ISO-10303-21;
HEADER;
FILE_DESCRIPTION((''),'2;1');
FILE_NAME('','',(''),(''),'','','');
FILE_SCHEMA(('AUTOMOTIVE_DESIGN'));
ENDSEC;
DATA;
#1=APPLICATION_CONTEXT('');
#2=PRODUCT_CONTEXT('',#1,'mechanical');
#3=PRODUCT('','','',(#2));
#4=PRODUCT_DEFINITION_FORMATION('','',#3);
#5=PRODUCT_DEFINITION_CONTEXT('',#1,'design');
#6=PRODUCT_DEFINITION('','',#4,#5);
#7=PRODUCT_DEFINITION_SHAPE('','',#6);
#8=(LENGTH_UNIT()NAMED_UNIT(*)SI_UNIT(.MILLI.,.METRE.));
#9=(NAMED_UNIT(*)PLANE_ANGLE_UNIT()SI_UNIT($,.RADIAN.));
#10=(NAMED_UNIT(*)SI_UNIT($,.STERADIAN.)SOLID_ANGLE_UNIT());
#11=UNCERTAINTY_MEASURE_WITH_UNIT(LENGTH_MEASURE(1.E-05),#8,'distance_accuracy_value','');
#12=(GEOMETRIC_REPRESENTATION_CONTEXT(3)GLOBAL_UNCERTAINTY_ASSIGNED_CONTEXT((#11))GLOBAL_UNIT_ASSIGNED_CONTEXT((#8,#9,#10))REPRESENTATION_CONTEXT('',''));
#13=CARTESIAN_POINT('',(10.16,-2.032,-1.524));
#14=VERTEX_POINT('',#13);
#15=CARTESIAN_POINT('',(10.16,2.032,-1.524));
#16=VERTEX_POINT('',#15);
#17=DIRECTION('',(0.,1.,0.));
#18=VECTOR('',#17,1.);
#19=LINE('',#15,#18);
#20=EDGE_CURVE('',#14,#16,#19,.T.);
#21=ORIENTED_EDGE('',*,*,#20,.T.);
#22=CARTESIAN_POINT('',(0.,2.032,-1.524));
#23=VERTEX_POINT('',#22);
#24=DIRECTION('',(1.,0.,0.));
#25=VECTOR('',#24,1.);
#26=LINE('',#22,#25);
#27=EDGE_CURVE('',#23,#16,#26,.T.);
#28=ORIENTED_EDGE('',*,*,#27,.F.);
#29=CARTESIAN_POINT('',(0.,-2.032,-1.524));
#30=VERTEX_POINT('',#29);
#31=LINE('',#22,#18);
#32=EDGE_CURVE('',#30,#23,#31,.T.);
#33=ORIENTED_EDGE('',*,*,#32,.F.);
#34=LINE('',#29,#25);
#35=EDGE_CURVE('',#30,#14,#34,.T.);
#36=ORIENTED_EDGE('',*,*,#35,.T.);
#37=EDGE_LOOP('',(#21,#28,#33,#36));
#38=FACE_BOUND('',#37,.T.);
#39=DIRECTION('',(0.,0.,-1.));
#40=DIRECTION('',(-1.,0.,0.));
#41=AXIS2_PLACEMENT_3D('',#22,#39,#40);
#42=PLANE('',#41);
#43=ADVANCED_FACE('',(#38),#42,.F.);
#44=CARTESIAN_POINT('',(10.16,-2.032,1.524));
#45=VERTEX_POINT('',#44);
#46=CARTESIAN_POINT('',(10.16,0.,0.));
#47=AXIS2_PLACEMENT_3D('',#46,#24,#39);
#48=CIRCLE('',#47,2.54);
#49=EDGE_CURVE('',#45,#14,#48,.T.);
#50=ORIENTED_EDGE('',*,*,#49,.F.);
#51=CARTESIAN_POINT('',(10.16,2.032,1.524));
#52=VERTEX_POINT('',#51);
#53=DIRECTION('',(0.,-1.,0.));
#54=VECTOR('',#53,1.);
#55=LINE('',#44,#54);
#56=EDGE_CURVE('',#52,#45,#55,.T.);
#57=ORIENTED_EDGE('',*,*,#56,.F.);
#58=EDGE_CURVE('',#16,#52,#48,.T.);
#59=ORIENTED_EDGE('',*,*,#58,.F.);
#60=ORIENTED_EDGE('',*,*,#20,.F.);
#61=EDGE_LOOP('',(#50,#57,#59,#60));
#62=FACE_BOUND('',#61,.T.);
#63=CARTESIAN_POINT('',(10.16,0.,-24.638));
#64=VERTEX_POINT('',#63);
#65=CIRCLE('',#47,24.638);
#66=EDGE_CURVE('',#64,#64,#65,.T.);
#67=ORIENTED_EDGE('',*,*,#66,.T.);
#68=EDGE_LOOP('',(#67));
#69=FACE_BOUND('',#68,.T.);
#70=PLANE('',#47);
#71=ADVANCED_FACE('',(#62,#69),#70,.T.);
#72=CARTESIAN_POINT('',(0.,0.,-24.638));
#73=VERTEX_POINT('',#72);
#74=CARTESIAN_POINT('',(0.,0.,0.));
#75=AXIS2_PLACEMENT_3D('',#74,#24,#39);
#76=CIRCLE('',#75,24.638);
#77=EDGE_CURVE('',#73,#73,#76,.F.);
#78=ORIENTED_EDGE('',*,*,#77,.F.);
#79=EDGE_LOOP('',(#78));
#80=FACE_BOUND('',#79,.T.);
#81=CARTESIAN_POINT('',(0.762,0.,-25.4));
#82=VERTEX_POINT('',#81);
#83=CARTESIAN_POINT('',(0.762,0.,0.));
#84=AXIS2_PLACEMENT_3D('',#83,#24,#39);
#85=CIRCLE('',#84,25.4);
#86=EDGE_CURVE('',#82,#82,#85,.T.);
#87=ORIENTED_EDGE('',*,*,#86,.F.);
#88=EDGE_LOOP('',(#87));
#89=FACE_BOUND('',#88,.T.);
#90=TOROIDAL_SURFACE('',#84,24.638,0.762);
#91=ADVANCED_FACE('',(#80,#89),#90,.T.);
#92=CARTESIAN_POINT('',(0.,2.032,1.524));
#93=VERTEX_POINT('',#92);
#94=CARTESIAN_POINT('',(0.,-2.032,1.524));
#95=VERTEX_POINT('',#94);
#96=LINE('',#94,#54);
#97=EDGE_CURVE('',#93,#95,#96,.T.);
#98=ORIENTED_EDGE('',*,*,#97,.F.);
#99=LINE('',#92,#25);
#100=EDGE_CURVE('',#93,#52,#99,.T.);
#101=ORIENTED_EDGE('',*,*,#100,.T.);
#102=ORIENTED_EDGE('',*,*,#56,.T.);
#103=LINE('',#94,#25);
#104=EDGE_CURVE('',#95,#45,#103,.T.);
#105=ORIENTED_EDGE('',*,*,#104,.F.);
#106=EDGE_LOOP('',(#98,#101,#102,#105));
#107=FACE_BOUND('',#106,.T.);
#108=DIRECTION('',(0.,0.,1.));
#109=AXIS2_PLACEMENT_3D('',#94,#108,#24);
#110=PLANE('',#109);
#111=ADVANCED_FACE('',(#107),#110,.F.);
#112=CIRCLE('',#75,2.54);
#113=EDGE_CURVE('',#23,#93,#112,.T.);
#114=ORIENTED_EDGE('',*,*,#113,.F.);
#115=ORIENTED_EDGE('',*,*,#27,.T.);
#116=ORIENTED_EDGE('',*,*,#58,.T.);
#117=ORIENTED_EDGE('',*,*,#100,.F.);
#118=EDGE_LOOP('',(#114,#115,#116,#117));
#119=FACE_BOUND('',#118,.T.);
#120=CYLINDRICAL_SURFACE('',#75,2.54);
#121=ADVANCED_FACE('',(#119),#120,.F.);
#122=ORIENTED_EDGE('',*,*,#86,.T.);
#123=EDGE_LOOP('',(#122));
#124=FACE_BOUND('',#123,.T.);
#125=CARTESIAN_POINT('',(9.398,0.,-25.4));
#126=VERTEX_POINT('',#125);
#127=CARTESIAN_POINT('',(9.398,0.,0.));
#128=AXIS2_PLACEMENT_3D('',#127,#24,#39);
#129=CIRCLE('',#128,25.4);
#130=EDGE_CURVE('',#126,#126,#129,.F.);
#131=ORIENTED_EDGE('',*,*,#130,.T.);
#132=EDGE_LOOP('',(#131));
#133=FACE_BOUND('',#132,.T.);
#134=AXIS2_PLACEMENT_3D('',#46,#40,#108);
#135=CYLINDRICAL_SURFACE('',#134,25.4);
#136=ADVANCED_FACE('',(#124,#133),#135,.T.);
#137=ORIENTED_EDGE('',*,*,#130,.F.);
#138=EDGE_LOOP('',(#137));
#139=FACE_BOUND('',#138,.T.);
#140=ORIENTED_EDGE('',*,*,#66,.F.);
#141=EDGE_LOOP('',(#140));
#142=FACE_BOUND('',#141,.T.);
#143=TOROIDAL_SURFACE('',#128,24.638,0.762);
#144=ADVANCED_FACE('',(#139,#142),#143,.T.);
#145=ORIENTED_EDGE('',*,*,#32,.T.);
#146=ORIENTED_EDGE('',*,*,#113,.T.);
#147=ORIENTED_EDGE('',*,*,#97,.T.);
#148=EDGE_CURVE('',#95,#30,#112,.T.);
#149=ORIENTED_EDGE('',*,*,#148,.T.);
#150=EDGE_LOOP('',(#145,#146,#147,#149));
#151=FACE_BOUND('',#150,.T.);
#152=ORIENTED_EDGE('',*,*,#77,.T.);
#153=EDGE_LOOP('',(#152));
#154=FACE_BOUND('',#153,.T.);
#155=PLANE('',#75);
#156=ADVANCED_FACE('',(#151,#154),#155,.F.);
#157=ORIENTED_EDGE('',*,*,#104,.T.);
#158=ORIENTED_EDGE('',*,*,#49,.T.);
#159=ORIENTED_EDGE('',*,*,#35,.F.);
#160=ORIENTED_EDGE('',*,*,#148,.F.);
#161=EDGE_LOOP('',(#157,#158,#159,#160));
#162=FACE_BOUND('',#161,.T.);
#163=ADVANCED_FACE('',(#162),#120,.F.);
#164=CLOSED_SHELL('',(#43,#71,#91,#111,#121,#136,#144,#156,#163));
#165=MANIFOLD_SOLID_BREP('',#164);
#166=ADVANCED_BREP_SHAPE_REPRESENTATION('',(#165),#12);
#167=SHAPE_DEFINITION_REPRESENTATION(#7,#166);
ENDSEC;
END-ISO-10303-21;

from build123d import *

# Parameters (mm, degrees)
SKETCH1_R           = 25.4
BOSS_EXTRUDE1_DEPTH = 10.16
FILLET1_R           = 0.762
CUT_EXTRUDE1_DEPTH  = 11.16


with BuildPart() as part:
    # Sketch1 → Boss-Extrude1 (new body)
    with BuildSketch(Plane(origin=(0, 0, 0), x_dir=(0, 0, -1), z_dir=(1, 0, 0))):
        Circle(SKETCH1_R)
    extrude(amount=BOSS_EXTRUDE1_DEPTH)

    # Fillet1
    fillet1_edges = [part.edges().sort_by_distance(p)[0] for p in [
        (0, 0, 25.4),
        (10.16, 0, 25.4),
    ]]
    fillet(fillet1_edges, radius=FILLET1_R)

    # Sketch2 → Cut-Extrude1 (cut, through all)
    with BuildSketch(Plane(origin=(10.16, 0, 0), x_dir=(0, 0, -1), z_dir=(1, 0, 0))):
        with BuildLine():
            Line((-1.524, -2.032), (-1.524, 2.032))
            ThreePointArc((-1.524, 2.032), (0, 2.54), (1.524, 2.032))
            Line((1.524, 2.032), (1.524, -2.032))
            ThreePointArc((1.524, -2.032), (0, -2.54), (-1.524, -2.032))
        make_face()
    extrude(amount=-CUT_EXTRUDE1_DEPTH, mode=Mode.SUBTRACT)


solid = part.part
